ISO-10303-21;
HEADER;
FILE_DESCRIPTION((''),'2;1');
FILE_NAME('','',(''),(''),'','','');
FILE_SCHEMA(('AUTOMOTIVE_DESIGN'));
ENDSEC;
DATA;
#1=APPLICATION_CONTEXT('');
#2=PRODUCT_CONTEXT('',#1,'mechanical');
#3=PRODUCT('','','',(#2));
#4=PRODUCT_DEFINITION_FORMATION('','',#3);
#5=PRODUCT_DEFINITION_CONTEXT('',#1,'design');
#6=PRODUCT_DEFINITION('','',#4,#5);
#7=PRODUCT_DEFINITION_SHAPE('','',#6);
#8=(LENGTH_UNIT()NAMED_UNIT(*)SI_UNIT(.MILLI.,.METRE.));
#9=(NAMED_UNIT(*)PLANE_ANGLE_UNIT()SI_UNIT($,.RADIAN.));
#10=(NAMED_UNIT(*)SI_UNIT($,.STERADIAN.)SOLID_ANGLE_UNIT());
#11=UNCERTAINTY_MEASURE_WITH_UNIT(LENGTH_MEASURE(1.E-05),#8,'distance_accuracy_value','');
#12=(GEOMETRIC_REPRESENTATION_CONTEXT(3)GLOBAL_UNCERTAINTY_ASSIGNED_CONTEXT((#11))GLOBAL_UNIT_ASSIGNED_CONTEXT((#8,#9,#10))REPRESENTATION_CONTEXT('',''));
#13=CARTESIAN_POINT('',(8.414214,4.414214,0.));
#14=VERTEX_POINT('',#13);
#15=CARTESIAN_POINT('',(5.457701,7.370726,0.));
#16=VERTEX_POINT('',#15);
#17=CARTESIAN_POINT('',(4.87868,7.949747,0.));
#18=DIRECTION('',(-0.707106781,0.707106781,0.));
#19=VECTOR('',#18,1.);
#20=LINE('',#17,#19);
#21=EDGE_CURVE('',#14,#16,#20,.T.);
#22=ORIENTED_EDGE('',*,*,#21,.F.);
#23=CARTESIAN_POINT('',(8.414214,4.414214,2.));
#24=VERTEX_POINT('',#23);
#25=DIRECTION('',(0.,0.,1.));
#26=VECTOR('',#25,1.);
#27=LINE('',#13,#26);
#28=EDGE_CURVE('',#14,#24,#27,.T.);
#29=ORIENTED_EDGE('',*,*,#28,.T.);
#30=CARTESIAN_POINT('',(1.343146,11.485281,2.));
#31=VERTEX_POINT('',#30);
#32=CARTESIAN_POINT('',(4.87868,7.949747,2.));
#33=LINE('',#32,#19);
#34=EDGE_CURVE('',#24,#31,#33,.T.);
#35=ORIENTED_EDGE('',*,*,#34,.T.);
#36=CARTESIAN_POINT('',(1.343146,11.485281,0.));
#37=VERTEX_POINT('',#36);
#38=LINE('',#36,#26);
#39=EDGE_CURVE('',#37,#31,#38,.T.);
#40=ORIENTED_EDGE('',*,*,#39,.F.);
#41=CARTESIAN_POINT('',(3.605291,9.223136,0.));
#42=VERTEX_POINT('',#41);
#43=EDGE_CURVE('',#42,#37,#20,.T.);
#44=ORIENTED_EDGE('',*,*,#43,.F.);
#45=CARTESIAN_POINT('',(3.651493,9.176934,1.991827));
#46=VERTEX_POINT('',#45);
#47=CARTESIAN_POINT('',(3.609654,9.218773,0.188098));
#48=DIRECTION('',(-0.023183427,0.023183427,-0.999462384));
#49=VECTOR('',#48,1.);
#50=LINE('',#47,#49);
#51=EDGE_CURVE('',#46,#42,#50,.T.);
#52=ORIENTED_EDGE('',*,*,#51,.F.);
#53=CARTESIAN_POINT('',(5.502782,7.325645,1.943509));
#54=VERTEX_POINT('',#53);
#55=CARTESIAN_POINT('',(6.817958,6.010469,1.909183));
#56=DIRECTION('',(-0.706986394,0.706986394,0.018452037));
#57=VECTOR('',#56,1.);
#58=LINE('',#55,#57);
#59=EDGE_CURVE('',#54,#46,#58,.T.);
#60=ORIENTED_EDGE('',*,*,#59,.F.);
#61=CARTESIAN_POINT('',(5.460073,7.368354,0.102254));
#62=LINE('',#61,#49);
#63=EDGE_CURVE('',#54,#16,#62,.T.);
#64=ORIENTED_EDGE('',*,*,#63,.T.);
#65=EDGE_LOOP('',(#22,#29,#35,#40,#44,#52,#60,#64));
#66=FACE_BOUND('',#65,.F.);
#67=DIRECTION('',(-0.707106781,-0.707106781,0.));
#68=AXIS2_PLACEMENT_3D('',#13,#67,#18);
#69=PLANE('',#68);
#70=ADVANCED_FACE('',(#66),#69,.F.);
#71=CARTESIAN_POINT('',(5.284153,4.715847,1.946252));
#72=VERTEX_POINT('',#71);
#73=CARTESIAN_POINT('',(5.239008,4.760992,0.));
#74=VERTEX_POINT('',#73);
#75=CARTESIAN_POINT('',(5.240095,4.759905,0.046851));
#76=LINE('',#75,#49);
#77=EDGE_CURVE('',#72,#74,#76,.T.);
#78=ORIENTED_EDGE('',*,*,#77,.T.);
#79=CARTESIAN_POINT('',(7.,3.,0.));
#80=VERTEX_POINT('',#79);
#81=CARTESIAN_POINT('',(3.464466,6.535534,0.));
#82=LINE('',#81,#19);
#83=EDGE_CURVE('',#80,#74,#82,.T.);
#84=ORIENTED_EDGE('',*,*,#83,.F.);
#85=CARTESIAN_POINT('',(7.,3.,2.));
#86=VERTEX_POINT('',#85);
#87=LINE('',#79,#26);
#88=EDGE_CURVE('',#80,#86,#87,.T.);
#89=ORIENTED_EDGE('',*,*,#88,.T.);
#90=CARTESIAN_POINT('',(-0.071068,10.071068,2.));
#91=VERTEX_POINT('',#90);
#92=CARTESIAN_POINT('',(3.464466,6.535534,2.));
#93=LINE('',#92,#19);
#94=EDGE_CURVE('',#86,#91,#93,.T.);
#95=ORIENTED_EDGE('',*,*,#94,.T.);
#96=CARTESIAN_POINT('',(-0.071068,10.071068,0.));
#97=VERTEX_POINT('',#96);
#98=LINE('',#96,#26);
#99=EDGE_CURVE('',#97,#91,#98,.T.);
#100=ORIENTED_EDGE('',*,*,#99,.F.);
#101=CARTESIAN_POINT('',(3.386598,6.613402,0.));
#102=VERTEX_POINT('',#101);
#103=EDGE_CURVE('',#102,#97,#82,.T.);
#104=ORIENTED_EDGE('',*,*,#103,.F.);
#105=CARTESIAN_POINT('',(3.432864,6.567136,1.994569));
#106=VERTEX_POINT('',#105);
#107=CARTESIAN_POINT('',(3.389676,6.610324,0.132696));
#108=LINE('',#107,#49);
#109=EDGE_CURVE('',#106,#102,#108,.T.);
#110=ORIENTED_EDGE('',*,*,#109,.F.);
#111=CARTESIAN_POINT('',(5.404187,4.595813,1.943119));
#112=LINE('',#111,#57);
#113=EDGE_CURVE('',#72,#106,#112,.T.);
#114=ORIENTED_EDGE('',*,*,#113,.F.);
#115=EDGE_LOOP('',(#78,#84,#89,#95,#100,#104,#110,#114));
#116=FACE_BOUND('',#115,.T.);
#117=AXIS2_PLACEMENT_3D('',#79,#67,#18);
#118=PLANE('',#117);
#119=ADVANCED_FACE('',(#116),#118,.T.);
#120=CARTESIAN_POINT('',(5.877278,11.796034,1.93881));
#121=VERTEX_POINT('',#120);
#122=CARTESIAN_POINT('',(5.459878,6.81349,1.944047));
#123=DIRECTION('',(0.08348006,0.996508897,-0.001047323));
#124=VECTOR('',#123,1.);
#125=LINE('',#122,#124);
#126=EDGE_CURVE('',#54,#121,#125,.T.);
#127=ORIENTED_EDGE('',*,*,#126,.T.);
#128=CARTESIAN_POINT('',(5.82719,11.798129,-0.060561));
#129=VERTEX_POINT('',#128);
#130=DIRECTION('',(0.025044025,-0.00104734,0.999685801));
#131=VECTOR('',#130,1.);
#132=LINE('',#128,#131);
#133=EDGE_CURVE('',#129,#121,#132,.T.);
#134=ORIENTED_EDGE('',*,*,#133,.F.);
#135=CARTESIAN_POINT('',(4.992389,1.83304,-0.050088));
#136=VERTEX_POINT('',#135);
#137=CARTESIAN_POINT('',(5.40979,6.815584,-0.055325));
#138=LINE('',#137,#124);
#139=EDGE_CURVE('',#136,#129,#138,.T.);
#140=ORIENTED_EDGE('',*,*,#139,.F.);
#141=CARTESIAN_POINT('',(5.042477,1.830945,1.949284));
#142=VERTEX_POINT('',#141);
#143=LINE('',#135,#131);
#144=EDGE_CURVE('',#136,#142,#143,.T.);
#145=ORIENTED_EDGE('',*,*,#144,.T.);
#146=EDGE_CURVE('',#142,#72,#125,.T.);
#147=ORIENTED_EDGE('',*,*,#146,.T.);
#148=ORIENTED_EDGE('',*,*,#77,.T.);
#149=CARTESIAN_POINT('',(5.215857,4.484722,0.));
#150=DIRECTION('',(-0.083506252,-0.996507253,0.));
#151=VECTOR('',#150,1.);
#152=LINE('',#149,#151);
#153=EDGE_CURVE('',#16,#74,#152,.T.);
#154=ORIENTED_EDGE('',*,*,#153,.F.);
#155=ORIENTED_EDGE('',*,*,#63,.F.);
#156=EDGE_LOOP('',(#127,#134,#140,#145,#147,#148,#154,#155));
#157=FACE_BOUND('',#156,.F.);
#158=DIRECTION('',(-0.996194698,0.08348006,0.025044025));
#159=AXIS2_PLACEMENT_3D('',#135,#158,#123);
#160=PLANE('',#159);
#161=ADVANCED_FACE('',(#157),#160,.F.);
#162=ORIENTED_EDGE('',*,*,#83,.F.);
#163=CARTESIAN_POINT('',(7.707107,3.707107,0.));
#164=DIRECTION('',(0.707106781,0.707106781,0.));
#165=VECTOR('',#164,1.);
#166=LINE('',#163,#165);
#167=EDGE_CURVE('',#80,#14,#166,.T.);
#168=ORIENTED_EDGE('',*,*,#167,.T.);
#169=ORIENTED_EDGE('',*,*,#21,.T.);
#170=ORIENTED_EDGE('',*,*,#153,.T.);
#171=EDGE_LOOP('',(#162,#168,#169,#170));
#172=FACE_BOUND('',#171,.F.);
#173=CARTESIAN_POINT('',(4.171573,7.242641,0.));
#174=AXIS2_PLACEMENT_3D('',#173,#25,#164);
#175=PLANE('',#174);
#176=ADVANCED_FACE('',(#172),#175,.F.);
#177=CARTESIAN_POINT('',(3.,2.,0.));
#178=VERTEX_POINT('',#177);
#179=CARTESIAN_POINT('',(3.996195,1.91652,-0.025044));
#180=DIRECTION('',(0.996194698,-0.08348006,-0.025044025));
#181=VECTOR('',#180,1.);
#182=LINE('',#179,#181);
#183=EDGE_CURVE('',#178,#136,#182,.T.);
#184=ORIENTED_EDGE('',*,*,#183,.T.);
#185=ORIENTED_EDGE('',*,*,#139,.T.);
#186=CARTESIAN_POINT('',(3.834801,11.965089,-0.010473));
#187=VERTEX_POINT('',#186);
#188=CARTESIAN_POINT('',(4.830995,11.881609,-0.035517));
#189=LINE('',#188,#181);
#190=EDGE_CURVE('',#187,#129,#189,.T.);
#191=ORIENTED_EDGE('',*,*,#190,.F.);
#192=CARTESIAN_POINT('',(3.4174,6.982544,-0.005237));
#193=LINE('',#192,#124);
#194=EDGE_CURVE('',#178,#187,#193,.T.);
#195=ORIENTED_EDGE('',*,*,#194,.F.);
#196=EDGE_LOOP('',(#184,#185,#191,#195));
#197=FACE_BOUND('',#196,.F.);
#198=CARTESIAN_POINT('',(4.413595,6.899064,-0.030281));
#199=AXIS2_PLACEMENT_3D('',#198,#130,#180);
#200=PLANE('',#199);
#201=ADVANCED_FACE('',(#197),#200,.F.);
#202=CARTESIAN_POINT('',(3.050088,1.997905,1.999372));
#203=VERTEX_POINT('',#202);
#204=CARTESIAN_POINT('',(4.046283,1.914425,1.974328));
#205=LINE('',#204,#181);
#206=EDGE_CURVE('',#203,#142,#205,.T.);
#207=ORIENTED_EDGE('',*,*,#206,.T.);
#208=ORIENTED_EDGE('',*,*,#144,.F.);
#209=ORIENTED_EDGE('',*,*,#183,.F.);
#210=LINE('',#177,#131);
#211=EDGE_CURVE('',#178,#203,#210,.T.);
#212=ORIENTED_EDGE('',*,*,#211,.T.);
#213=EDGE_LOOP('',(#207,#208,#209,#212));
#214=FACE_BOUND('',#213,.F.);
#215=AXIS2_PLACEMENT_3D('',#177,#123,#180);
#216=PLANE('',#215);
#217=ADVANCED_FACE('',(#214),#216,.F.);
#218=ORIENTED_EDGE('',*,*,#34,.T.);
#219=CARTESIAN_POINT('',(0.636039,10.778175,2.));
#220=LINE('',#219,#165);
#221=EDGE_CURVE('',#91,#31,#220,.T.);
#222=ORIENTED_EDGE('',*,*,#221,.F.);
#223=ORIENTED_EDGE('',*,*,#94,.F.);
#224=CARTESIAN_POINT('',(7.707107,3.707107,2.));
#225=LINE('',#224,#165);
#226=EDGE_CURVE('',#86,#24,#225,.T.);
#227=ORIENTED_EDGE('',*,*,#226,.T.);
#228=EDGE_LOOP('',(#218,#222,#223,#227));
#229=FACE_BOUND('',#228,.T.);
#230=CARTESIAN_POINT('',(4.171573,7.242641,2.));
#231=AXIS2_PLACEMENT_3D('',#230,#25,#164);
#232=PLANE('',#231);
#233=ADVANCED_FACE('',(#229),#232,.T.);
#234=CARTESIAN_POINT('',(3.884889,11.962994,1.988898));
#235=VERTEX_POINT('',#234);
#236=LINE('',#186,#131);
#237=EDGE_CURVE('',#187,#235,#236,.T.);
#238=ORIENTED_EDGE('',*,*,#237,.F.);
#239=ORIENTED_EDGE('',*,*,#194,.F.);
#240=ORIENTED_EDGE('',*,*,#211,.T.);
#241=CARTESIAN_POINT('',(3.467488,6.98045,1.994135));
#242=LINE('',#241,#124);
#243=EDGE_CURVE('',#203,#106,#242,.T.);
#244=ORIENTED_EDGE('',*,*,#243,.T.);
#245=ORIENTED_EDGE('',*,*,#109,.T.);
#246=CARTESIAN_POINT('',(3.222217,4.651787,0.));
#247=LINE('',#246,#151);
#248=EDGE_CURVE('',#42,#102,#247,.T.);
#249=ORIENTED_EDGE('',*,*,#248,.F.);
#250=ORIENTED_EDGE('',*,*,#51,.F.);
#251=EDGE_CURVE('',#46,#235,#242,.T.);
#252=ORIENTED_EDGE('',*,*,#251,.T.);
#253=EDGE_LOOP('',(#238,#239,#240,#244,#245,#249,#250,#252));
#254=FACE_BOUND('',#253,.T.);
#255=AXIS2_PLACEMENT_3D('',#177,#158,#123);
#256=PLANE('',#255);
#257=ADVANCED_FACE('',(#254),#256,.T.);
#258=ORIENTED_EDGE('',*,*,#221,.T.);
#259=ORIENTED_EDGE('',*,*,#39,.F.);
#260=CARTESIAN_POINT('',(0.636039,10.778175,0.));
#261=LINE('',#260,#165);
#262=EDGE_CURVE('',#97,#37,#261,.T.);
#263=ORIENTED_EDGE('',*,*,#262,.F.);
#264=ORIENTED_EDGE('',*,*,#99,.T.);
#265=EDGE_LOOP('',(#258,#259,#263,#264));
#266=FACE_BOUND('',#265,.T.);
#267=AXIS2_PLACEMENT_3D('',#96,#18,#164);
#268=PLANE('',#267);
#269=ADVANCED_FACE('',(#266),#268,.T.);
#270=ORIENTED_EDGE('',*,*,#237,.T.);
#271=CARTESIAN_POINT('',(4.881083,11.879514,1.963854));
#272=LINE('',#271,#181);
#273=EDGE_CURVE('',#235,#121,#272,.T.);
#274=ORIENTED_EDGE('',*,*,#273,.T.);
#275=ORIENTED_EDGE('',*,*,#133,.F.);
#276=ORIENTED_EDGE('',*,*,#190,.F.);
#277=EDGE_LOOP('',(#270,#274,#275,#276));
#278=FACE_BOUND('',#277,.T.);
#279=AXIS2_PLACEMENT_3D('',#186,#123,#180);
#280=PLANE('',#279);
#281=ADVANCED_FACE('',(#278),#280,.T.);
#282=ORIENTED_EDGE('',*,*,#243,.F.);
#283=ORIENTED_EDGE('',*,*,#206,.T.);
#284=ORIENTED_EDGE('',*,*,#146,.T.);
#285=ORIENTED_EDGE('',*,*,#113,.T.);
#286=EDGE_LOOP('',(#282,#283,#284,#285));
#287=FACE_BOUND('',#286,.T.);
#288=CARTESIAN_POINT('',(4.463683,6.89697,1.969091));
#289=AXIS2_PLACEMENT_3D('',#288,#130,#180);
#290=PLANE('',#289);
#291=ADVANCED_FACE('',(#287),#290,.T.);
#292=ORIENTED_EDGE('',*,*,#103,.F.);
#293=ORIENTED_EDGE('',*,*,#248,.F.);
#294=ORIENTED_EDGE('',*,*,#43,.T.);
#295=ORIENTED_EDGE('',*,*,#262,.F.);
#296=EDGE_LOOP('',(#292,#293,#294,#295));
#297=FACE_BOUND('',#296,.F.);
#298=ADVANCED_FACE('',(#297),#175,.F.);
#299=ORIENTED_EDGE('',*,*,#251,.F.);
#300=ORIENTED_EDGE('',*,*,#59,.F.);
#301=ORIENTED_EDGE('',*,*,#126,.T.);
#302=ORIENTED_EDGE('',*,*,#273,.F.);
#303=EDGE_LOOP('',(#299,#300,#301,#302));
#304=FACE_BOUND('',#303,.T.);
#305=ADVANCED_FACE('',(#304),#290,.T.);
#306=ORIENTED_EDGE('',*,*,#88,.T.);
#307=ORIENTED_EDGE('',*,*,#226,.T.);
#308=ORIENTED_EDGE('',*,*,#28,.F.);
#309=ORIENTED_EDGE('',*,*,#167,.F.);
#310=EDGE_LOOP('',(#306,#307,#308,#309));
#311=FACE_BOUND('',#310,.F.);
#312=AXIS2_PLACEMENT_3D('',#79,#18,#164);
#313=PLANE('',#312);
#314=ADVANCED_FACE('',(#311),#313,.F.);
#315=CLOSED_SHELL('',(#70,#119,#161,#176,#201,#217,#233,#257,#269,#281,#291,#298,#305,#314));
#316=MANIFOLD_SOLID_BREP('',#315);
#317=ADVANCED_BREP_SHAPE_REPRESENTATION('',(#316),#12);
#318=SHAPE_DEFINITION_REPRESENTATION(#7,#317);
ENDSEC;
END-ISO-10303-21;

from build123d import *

# Parameters (mm, degrees)
BOX001_W               = 2
BOX001_H               = 10
BOX001_DEPTH           = 2
BOX001_ROLL_ANGLE      = -0.060026
BOX001_PITCH_ANGLE     = 1.435067
BOX001_PLACEMENT_ANGLE = -4.790134
BOX_W                  = 2
BOX_H                  = 10
BOX_DEPTH              = 2
BOX_PLACEMENT_ANGLE    = 45


with BuildPart() as cubo001:
    # Box001 → Box001 (new body)
    with BuildSketch(Plane.XY):
        with Locations((1, 5)):
            Rectangle(BOX001_W, BOX001_H)
    extrude(amount=BOX001_DEPTH)


with BuildPart() as cubo001_1:
    # Box001 roll: moved
    add(cubo001.part.rotate(Axis((0, 0, 0), (1, 0, 0)), BOX001_ROLL_ANGLE))


with BuildPart() as cubo001_2:
    # Box001 pitch: moved
    add(cubo001_1.part.rotate(Axis((0, 0, 0), (0, 1, 0)), BOX001_PITCH_ANGLE))


with BuildPart() as cubo001_3:
    # Box001 placement: moved
    add(cubo001_2.part.moved(Location((3, 2, 0))).rotate(Axis((3, 2, 0), (0, 0, 1)), BOX001_PLACEMENT_ANGLE))


with BuildPart() as fusion:
    # Box → Box (new body)
    with BuildSketch(Plane.XY):
        with Locations((1, 5)):
            Rectangle(BOX_W, BOX_H)
    extrude(amount=BOX_DEPTH)


with BuildPart() as fusion_1:
    # Box placement: moved
    add(fusion.part.moved(Location((7, 3, 0))).rotate(Axis((7, 3, 0), (0, 0, 1)), BOX_PLACEMENT_ANGLE))

    # Fusion: union Cubo001
    add(cubo001_3.part)


solid = fusion_1.part
